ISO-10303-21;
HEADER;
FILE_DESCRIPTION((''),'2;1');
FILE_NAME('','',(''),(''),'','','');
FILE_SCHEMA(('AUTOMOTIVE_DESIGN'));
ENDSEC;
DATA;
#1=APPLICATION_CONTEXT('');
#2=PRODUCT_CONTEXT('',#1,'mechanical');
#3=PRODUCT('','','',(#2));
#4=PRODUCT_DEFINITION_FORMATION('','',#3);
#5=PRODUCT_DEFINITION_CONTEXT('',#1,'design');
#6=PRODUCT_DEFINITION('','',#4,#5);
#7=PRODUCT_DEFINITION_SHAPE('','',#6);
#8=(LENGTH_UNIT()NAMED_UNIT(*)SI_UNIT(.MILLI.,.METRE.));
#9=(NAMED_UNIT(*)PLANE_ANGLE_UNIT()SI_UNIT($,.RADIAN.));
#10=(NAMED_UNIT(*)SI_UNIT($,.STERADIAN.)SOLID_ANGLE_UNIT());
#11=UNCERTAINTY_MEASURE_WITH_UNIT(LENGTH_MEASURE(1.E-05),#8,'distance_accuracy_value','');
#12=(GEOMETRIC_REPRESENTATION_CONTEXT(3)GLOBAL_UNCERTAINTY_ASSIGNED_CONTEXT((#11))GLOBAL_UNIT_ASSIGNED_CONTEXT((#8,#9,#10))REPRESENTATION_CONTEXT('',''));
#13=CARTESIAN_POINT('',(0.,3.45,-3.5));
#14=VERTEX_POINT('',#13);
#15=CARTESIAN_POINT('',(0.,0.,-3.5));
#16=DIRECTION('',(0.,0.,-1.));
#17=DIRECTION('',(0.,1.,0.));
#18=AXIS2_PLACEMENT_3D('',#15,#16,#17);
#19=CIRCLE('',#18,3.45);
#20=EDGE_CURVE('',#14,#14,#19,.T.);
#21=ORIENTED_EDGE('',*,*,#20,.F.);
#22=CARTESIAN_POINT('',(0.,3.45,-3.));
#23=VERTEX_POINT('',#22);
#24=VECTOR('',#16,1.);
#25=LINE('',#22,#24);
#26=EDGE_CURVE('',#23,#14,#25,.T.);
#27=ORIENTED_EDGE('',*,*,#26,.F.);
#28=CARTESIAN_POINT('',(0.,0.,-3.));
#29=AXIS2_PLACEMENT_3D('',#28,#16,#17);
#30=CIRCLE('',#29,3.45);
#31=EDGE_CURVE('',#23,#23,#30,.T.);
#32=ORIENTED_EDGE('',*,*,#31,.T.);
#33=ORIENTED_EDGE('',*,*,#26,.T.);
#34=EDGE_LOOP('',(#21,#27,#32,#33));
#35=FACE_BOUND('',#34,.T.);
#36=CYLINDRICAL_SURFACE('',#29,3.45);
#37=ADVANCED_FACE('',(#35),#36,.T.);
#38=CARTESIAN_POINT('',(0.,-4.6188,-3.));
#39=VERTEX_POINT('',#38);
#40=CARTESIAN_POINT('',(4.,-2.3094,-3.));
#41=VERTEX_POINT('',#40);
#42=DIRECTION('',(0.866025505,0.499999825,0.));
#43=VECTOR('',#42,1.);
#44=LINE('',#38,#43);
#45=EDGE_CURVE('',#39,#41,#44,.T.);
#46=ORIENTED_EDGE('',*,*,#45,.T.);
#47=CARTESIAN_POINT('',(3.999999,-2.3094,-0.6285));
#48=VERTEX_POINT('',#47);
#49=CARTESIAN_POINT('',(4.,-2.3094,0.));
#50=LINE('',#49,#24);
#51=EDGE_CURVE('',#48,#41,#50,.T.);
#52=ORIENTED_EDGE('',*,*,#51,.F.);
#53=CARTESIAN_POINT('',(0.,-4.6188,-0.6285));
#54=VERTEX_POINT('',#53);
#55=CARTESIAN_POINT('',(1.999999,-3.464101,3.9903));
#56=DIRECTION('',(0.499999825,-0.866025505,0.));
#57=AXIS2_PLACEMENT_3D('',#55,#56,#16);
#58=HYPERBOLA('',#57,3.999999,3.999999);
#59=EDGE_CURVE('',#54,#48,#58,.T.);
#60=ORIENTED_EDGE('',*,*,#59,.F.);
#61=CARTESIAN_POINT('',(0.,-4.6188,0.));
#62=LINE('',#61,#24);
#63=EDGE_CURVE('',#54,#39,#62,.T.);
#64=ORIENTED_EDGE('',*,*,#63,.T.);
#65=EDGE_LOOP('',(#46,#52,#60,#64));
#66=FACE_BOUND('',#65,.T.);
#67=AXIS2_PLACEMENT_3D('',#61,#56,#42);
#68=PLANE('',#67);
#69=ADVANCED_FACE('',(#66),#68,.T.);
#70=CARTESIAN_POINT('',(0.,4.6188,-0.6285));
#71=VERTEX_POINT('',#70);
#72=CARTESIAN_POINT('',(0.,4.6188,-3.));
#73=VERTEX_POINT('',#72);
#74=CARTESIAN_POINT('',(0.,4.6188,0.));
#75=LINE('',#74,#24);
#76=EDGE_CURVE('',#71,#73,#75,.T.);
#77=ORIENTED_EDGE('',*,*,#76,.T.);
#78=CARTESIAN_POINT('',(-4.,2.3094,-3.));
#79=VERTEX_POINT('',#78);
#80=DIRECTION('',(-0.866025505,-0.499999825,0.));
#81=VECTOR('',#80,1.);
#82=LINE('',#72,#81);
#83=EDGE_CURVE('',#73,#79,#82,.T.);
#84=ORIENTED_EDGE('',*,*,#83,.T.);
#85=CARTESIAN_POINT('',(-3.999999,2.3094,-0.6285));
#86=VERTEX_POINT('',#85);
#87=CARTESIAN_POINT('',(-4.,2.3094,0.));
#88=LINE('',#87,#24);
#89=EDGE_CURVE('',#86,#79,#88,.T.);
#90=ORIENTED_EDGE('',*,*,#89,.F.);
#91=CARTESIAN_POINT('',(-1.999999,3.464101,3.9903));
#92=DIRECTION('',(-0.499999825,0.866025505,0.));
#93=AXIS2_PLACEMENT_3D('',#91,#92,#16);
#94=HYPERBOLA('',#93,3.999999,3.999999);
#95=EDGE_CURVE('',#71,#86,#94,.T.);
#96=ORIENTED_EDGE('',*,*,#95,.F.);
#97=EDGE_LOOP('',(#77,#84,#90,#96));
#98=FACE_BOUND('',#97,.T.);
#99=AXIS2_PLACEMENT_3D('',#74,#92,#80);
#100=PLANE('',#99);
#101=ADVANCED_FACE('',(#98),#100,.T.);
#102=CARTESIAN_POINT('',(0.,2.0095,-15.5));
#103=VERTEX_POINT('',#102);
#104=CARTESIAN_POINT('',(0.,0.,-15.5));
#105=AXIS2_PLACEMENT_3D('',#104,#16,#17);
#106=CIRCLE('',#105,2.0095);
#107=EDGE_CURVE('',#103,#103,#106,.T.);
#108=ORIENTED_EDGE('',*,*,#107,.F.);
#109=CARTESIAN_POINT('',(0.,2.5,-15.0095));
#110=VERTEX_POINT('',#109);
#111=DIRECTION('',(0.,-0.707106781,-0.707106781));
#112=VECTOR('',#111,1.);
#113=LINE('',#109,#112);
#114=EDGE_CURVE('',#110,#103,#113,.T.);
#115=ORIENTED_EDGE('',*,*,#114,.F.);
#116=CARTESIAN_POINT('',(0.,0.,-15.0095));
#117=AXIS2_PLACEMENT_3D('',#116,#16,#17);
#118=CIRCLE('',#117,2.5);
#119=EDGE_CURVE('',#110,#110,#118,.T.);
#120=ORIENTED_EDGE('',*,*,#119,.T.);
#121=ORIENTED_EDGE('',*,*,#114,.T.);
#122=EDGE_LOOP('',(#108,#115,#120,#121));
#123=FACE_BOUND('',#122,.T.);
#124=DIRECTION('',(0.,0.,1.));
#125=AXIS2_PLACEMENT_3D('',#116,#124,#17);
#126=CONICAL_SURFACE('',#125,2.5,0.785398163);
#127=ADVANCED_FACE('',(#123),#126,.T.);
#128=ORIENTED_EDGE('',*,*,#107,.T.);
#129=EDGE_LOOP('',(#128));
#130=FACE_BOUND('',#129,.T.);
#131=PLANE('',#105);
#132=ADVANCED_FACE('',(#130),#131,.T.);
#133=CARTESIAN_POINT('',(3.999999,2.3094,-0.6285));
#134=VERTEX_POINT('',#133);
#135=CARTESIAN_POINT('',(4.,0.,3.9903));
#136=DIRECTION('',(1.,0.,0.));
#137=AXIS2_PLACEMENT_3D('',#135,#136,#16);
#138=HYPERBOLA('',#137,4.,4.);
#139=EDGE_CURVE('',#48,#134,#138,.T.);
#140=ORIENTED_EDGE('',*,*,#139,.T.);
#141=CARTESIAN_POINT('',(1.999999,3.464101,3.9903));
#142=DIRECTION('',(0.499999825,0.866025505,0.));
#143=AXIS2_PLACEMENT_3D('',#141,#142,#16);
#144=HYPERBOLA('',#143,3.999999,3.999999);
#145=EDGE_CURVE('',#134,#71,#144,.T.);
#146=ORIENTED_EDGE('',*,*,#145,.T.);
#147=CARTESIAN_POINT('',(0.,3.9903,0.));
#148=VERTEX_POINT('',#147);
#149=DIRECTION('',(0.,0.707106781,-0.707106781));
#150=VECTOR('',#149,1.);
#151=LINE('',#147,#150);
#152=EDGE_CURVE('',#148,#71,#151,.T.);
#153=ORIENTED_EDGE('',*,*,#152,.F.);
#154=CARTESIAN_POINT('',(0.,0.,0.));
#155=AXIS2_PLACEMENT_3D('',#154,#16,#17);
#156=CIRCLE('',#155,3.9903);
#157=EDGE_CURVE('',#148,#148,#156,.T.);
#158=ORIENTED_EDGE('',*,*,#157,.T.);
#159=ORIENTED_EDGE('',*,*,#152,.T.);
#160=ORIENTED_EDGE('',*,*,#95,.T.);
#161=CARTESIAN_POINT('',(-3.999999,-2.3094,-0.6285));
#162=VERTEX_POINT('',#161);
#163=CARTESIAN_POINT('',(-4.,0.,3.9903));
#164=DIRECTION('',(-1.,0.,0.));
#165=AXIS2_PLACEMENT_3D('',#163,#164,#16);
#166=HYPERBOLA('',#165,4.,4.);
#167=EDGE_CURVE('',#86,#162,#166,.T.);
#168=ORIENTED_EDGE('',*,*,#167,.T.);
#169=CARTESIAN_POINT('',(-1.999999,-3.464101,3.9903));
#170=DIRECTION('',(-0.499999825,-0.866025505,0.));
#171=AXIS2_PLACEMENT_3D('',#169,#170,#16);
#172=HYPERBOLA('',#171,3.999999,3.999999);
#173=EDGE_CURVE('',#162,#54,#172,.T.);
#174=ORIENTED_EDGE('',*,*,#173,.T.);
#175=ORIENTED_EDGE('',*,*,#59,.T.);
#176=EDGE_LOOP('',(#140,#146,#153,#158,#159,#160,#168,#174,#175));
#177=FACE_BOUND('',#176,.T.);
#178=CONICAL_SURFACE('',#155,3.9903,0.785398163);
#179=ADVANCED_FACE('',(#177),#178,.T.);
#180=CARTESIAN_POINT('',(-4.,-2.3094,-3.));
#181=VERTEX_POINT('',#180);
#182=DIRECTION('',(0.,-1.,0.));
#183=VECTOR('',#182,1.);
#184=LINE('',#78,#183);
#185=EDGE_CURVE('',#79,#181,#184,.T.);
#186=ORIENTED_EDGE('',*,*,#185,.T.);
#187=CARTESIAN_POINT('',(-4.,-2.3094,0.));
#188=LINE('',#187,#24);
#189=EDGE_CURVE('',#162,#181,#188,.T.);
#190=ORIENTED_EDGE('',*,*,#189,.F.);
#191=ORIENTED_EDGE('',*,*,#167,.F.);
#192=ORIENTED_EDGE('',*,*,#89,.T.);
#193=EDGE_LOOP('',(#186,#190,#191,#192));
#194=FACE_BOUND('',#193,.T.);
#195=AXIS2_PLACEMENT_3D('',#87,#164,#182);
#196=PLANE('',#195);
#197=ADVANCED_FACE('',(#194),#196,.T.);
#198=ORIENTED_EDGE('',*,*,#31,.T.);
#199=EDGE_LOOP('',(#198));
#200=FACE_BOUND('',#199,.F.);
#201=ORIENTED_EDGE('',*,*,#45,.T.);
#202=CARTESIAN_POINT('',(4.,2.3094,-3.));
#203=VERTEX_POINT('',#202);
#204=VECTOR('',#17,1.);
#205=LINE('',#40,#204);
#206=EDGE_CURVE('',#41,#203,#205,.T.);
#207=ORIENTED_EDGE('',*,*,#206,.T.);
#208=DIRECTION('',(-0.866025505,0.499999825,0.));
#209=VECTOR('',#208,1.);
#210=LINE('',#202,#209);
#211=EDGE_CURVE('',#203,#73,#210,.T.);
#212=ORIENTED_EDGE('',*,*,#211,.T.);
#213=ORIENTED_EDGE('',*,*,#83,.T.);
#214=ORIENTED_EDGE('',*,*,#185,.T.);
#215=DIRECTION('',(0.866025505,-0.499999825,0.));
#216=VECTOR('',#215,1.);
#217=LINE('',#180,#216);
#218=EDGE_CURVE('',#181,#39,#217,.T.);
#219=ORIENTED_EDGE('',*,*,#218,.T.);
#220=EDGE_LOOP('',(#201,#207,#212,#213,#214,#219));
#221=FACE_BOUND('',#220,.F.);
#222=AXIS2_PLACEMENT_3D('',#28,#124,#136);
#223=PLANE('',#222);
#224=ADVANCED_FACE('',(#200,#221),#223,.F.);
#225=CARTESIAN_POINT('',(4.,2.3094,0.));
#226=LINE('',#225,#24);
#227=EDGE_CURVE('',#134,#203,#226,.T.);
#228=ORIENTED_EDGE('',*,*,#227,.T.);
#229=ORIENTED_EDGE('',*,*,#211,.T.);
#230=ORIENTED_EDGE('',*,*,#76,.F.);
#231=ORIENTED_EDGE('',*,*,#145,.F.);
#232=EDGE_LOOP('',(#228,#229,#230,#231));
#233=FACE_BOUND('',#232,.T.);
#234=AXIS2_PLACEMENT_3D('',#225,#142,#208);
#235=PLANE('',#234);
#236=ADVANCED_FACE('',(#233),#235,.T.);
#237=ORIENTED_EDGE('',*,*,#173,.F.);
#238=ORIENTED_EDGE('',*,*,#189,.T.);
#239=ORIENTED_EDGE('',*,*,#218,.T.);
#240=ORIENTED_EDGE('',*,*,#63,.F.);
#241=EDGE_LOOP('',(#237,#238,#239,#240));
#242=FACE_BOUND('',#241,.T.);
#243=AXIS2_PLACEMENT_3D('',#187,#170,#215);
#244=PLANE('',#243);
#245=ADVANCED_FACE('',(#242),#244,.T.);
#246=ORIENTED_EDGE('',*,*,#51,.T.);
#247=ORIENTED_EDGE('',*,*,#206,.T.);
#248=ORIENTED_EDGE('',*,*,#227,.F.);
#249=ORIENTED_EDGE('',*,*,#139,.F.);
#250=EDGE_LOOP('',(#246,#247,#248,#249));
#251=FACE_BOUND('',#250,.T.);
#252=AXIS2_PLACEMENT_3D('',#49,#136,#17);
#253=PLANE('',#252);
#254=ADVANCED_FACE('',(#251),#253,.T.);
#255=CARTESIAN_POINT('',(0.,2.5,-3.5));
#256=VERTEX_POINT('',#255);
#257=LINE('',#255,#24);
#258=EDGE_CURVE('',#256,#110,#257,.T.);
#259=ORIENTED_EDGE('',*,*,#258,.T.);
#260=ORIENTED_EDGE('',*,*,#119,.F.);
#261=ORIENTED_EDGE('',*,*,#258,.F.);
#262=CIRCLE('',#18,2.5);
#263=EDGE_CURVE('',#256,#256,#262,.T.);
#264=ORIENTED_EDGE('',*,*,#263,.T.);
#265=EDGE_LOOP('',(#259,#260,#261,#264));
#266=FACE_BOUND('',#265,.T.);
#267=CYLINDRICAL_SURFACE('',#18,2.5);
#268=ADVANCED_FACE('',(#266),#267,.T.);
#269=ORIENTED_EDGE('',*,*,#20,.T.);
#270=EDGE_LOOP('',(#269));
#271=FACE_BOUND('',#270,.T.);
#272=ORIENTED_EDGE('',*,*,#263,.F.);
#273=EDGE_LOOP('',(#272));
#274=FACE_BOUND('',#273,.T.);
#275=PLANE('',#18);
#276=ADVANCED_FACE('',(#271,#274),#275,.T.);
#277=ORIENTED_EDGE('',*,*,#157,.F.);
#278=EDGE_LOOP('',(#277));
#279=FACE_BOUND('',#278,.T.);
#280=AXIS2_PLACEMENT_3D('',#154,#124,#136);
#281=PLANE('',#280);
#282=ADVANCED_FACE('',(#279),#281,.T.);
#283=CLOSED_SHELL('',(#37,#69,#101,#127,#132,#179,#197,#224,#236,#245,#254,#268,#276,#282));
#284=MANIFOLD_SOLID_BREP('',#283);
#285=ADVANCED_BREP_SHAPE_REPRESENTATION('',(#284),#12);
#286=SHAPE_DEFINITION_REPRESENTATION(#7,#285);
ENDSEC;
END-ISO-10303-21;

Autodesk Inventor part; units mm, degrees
sketch "Sketch_1" plane through (0, 0, 0) normal (0, 0, 1) x (1, 0, 0)
  line L0 (-4, -2.3094) -> (0, -4.6188)
  line L1 (0, -4.6188) -> (4, -2.3094)
  line L2 (4, -2.3094) -> (4, 2.3094)
  line L3 (4, 2.3094) -> (0, 4.6188)
  line L4 (0, 4.6188) -> (-4, 2.3094)
  line L5 (-4, 2.3094) -> (-4, -2.3094)
extrude "Extrusion1" add sketch "Sketch_1" against normal blind 3
sketch "Sketch_2" plane through (0, 0, 0) normal (1, 0, 0) x (0, 0, -1)
  line L0 (3.5, 0) -> (3, 0)
  line L1 (3, 0) -> (3, 3.45)
  line L2 (3, 3.45) -> (3.5, 3.45)
  line L3 (3.5, 3.45) -> (3.5, 0)
  line L4 (3.5, 0) -> (3, 0)
revolve "Revolution1" add sketch "Sketch_2" angle 360 about axis through (0, 0, -3.5) along (0, 0, -1)
sketch "Sketch_3" plane through (0, 0, 0) normal (1, 0, 0) x (0, 0, -1)
  line L0 (15.5, 0) -> (3.5, 0)
  line L1 (3.5, 0) -> (3.5, 2.5)
  line L2 (3.5, 2.5) -> (15.0095, 2.5)
  line L3 (15.0095, 2.5) -> (15.5, 2.0095)
  line L4 (15.5, 2.0095) -> (15.5, 0)
  line L5 (15.5, 0) -> (3.5, 0)
revolve "Revolution2" add sketch "Sketch_3" angle 360 about axis through (0, 0, -15.5) along (0, 0, -1)
thread "Thread1" size "M5x0.8" class "6g" standard "ISO Metric profile" full length
sketch "Sketch_4" plane through (0, 0, 0) normal (1, 0, 0) x (0, 0, -1)
  line L0 (50, 0) -> (-50, 0)
  line L1 (-2, 3.9903) -> (0, 3.9903)
  line L2 (0, 3.9903) -> (0.6285, 4.6188)
  line L3 (0.6285, 4.6188) -> (0.6285, 6.6188)
  line L4 (0.6285, 6.6188) -> (-2, 6.6188)
  line L5 (-2, 6.6188) -> (-2, 3.9903)
revolve "Revolution3" cut sketch "Sketch_4" angle 360 about axis through (0, 0, -50) along (0, 0, -1)
ref_plane "schraube_st_XY" through (0, 0, -3.5) normal (0, 0, 1) x (1, 0, 0)
ref_plane "schraube_st_YZ" through (0, 0, -3.5) normal (1, 0, 0) x (0, 1, 0)
ref_plane "schraube_st_ZX" through (0, 0, -3.5) normal (0, 1, 0) x (0, 0, 1)
properties part number "61581400_5"
